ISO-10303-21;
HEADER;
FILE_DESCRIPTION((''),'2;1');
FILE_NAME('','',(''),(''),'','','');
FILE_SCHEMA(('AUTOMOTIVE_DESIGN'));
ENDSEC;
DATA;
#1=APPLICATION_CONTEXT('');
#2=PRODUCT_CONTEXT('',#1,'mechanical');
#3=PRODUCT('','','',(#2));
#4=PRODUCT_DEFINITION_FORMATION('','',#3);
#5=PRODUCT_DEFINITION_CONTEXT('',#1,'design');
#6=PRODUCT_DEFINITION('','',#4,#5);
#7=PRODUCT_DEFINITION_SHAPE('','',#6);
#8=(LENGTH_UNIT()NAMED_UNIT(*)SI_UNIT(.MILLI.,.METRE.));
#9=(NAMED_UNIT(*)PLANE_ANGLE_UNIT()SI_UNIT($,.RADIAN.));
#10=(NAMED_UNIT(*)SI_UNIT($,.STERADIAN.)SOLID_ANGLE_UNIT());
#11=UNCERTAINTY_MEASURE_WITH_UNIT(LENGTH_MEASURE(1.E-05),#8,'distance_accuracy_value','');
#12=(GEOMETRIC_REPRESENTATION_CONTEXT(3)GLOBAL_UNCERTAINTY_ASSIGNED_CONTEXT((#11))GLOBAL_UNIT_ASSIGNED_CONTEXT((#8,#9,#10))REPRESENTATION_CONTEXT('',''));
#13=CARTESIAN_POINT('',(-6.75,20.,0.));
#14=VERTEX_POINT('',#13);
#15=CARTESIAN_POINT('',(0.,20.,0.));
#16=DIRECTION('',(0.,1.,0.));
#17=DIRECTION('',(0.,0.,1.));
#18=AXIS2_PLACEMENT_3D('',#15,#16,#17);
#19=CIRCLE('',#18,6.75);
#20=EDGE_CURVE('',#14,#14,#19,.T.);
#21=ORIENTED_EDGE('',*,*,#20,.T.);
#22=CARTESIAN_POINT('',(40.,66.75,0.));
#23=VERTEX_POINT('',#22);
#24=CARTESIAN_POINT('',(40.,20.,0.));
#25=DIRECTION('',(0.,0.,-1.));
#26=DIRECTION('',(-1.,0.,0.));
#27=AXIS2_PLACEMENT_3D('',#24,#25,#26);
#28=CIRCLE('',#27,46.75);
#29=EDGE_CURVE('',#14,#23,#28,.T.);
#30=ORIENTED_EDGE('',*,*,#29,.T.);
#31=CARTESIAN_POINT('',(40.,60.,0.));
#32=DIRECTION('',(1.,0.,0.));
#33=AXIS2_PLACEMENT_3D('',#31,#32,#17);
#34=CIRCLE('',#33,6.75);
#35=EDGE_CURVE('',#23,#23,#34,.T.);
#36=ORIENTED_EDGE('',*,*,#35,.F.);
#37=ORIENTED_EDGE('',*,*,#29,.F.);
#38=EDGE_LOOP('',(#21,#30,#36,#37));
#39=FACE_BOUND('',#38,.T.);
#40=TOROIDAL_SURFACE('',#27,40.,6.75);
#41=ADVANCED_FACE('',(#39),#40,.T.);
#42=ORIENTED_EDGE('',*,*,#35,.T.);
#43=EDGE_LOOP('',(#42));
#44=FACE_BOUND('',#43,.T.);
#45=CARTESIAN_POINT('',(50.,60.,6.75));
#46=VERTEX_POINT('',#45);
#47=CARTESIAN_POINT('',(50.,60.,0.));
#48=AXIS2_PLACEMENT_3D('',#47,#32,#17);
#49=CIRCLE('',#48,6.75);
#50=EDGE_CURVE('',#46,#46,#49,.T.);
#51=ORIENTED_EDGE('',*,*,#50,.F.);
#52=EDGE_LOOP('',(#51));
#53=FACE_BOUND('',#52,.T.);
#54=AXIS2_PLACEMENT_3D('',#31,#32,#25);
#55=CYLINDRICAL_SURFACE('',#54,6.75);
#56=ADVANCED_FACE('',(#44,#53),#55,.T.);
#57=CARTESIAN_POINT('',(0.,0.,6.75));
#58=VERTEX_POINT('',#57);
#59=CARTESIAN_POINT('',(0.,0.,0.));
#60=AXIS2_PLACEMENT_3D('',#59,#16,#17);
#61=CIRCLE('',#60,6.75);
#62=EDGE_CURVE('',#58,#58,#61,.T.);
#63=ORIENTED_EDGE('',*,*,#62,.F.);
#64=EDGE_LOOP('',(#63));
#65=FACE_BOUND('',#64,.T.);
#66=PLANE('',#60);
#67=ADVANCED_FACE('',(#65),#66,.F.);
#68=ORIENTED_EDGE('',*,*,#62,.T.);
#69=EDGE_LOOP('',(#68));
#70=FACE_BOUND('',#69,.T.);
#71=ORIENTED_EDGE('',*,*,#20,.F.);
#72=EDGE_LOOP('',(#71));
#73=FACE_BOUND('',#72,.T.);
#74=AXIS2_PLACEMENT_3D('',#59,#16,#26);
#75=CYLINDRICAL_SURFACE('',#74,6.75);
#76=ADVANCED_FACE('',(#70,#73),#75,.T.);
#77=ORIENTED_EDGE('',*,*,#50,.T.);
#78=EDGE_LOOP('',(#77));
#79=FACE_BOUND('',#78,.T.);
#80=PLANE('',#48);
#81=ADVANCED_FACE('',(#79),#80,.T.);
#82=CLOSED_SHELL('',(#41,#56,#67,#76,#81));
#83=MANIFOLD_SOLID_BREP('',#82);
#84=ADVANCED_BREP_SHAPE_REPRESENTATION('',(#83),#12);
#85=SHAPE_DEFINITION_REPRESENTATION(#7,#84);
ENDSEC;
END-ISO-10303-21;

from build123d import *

# Parameters (mm, degrees)
SKETCH2_R = 6.75


with BuildPart() as part:
    # Sweep1: sweep along a path in Sketch1
    with BuildLine(Plane.XY) as sweep1_path:
        Line((0, 0), (0, 20))
        ThreePointArc((0, 20), (11.715728753, 48.284271247), (40, 60))
        Line((40, 60), (50, 60))
    # Sketch2 → Sweep1 (sweep)
    with BuildSketch(Plane(origin=(0, 0, 0), x_dir=(1, 0, 0), z_dir=(0, 1, 0))):
        Circle(SKETCH2_R)
    sweep(path=sweep1_path.line)


solid = part.part
